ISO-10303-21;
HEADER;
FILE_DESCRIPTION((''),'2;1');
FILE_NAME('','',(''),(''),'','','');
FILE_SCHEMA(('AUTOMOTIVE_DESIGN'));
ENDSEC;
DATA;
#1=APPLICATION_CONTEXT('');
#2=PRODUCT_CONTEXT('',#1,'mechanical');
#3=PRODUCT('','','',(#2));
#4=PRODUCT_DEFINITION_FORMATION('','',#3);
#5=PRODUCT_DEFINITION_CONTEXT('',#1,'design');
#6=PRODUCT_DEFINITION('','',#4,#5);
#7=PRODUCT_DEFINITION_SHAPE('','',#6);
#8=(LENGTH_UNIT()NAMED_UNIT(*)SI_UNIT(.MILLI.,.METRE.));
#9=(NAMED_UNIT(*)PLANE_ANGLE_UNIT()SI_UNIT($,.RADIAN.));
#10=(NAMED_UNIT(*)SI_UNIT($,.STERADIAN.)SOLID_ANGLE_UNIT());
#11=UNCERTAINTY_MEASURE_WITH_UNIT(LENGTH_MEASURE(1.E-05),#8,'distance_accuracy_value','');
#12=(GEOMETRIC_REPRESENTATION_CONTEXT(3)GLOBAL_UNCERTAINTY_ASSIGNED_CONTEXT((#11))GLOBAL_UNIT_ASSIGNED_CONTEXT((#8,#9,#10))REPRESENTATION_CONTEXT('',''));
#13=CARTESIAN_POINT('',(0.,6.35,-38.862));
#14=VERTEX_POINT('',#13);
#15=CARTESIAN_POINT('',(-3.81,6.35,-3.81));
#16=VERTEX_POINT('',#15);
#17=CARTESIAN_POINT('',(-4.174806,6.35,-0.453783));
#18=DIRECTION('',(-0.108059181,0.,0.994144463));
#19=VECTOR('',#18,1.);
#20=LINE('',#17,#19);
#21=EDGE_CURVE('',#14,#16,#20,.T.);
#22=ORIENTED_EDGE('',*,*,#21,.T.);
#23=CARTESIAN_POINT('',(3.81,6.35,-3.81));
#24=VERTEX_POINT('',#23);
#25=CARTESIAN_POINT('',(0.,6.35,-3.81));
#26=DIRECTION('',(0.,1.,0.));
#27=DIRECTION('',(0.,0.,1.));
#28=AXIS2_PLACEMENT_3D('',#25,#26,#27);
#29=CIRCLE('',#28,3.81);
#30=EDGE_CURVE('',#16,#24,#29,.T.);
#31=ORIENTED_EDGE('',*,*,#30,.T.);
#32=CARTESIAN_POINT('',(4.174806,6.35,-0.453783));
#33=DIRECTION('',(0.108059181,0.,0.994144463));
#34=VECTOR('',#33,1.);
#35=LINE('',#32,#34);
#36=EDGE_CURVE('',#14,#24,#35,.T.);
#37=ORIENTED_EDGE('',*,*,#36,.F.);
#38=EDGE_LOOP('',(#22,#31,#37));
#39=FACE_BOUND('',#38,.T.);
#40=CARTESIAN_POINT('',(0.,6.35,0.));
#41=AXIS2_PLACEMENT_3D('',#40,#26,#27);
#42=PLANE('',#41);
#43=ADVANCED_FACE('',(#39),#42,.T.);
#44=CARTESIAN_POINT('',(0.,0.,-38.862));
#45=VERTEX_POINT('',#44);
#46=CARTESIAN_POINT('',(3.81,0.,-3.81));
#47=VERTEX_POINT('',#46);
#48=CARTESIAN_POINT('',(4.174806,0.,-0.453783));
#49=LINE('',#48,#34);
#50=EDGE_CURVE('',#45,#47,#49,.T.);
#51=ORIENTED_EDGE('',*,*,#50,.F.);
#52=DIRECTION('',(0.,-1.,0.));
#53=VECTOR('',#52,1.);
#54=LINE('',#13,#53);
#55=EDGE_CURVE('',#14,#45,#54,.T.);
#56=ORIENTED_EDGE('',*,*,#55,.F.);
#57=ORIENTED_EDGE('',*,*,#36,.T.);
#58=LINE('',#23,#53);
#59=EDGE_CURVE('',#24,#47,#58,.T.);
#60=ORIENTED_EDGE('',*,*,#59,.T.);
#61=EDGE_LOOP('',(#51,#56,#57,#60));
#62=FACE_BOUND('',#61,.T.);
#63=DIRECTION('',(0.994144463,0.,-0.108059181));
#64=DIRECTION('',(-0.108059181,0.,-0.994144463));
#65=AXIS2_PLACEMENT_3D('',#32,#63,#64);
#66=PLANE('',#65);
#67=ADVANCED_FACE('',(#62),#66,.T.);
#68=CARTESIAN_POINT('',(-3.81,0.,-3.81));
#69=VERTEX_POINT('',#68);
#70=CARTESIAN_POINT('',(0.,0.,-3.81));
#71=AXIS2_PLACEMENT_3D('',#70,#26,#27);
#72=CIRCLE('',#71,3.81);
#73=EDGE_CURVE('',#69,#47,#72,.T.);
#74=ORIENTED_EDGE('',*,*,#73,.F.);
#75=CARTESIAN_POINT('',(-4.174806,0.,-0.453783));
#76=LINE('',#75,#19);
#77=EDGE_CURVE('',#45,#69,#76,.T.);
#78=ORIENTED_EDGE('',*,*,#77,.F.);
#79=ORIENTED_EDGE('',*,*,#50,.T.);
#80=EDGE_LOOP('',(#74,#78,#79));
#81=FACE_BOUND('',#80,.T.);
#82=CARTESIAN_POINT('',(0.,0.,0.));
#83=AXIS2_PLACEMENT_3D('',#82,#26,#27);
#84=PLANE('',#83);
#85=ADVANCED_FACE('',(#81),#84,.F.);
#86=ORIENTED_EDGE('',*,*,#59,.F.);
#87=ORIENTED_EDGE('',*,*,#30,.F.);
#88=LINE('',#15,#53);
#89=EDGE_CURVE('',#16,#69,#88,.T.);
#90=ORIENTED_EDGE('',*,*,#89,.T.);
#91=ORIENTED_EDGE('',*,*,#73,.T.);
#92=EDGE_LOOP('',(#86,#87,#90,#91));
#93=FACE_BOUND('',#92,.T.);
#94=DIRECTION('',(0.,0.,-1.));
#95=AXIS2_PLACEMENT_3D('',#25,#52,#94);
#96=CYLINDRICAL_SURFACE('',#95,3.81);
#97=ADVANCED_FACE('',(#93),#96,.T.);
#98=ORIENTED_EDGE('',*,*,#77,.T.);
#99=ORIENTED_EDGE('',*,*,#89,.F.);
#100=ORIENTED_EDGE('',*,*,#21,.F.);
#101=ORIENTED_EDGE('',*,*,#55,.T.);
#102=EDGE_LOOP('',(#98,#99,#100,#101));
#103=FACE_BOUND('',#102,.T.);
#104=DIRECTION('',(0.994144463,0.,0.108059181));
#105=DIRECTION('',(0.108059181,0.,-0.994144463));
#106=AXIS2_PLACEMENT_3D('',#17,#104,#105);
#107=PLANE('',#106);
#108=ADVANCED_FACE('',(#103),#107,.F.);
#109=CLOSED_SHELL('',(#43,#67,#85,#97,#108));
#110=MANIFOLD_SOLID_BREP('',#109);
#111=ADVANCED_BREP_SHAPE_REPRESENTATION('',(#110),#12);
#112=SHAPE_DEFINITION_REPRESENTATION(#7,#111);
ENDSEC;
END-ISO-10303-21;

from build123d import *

# Parameters (mm, degrees)
BOSS_EXTRUDE1_DEPTH = 6.35


with BuildPart() as part:
    # Sketch1 → Boss-Extrude1 (new body)
    with BuildSketch(Plane(origin=(0, 0, 0), x_dir=(1, 0, 0), z_dir=(0, 1, 0))):
        with BuildLine():
            ThreePointArc((-3.81, 3.81), (-2.694076836, 1.115923164), (0, 0))
            Line((0, 0), (0, 7.62))
            ThreePointArc((0, 7.62), (-2.387181834, 6.779421306), (-3.721022887, 4.628589444))
            Line((-3.721022887, 4.628589444), (-3.81, 3.81))
        make_face()
        with BuildLine():
            ThreePointArc((-3.721022887, 4.628589444), (-2.387181834, 6.779421306), (0, 7.62))
            Line((0, 7.62), (0, 38.862))
            Line((0, 38.862), (-3.721022887, 4.628589444))
        make_face()
        with BuildLine():
            Line((0, 7.62), (0, 0))
            ThreePointArc((0, 0), (2.694076836, 1.115923164), (3.81, 3.81))
            Line((3.81, 3.81), (3.721022887, 4.628589444))
            ThreePointArc((3.721022887, 4.628589444), (2.387181834, 6.779421306), (0, 7.62))
        make_face()
        with BuildLine():
            Line((0, 38.862), (0, 7.62))
            ThreePointArc((0, 7.62), (2.387181834, 6.779421306), (3.721022887, 4.628589444))
            Line((3.721022887, 4.628589444), (0, 38.862))
        make_face()
    extrude(amount=BOSS_EXTRUDE1_DEPTH)


solid = part.part
